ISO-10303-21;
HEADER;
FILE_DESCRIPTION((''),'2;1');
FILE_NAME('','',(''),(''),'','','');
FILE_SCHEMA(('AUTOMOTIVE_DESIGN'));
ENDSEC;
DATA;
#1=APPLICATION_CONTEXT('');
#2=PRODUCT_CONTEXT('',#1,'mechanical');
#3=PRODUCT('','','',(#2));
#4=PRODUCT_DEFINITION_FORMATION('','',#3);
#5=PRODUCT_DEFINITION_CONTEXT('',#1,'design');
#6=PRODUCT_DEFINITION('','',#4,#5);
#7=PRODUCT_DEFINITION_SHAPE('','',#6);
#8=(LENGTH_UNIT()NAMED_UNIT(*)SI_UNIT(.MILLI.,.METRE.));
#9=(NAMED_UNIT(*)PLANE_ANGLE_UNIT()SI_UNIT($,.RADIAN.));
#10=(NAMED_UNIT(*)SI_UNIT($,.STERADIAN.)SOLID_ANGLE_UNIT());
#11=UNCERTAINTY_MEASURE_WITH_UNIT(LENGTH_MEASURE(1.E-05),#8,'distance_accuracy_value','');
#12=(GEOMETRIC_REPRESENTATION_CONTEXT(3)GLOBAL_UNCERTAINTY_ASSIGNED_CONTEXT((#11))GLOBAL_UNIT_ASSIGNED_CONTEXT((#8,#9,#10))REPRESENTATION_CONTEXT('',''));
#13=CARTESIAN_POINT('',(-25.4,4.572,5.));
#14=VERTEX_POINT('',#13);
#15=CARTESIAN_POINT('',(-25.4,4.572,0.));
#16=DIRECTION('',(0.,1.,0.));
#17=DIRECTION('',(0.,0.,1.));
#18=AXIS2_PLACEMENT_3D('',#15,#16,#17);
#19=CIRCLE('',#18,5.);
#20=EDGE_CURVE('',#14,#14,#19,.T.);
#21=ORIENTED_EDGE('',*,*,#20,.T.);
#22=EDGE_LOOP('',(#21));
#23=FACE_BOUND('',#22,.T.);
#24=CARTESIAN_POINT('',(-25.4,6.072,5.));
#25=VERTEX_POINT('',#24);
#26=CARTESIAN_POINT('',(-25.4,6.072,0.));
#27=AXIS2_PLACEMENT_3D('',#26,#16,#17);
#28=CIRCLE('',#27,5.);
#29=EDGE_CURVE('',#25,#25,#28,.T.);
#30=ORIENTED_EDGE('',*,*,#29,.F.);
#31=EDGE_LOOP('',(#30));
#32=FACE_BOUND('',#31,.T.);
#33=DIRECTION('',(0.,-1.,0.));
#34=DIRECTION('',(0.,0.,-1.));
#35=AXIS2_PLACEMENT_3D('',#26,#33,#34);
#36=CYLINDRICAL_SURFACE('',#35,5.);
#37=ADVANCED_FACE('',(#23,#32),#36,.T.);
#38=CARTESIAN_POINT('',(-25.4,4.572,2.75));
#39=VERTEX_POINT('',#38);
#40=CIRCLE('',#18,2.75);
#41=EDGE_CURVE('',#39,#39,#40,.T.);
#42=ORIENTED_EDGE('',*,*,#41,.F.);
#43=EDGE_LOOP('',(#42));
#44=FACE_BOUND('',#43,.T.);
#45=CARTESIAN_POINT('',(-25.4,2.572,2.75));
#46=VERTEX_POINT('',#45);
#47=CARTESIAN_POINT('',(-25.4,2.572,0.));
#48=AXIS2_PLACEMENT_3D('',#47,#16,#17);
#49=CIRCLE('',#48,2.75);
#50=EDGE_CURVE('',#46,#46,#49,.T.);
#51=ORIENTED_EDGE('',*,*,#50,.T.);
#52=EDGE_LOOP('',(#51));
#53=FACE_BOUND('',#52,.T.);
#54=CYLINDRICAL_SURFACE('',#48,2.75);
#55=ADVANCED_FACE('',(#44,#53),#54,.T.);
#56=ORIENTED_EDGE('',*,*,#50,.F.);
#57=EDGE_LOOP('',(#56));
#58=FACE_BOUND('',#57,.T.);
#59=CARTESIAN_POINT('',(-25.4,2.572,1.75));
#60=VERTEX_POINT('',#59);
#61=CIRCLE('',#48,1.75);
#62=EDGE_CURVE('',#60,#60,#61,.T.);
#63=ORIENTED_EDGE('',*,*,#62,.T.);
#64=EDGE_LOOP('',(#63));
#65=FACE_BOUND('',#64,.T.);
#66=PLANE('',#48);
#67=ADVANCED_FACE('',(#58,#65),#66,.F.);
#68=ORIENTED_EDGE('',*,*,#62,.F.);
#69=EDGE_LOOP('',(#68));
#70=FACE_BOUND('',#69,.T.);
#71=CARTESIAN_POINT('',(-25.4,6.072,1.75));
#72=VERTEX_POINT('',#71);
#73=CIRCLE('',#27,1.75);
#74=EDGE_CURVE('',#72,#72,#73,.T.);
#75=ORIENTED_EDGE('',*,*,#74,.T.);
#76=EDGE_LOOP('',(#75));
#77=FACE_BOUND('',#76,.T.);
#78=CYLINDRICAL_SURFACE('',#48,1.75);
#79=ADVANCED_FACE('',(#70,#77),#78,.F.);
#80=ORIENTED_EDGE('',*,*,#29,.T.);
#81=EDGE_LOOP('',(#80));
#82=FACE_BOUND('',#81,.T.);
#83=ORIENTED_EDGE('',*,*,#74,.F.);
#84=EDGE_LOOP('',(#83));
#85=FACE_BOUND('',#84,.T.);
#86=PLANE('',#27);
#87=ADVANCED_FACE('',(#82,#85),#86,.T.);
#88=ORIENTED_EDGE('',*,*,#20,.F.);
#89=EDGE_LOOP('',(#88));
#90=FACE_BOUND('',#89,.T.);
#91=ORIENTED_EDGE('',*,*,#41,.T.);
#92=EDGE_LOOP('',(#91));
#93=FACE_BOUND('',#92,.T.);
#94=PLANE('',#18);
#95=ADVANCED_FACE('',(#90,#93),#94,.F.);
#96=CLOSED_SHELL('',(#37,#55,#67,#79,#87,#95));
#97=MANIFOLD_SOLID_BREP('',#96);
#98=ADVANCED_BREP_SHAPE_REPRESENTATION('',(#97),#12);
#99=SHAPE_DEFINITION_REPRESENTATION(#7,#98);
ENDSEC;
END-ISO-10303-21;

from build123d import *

# Parameters (mm, degrees)
SKETCH1_R           = 57.15
SKETCH1_R_2         = 1.397
SKETCH1_R_3         = 3.175
BOSS_EXTRUDE1_DEPTH = 4.572
SKETCH2_R           = 2.75
SKETCH2_R_2         = 1.75
BOSS_EXTRUDE2_DEPTH = 2
SKETCH3_R           = 5
SKETCH3_R_2         = 1.75
BOSS_EXTRUDE3_DEPTH = 1.5


with BuildPart() as part:
    # Sketch1 → Boss-Extrude1 (new body)
    with BuildSketch(Plane(origin=(0, 0, 0), x_dir=(1, 0, 0), z_dir=(0, 1, 0))):
        Circle(SKETCH1_R)
        with Locations((0, 6.35)):
            Circle(SKETCH1_R_2, mode=Mode.SUBTRACT)
        with Locations((0, 25.4)):
            Circle(SKETCH1_R_3, mode=Mode.SUBTRACT)
        with Locations((0, 50.8)):
            Circle(SKETCH1_R_3, mode=Mode.SUBTRACT)
        with Locations((25.4, 0)):
            Circle(SKETCH1_R_3, mode=Mode.SUBTRACT)
        with Locations((0, -25.4)):
            Circle(SKETCH1_R_3, mode=Mode.SUBTRACT)
        with Locations((-25.4, 0)):
            Circle(SKETCH1_R_3, mode=Mode.SUBTRACT)
        with Locations((6.35, 0)):
            Circle(SKETCH1_R_2, mode=Mode.SUBTRACT)
        with Locations((0, -6.35)):
            Circle(SKETCH1_R_2, mode=Mode.SUBTRACT)
        with Locations((-6.35, 0)):
            Circle(SKETCH1_R_2, mode=Mode.SUBTRACT)
        with Locations((35.921024484, 35.921024484)):
            Circle(SKETCH1_R_3, mode=Mode.SUBTRACT)
        with Locations((50.8, 0)):
            Circle(SKETCH1_R_3, mode=Mode.SUBTRACT)
        with Locations((35.921024484, -35.921024484)):
            Circle(SKETCH1_R_3, mode=Mode.SUBTRACT)
        with Locations((0, -50.8)):
            Circle(SKETCH1_R_3, mode=Mode.SUBTRACT)
        with Locations((-35.921024484, -35.921024484)):
            Circle(SKETCH1_R_3, mode=Mode.SUBTRACT)
        with Locations((-50.8, 0)):
            Circle(SKETCH1_R_3, mode=Mode.SUBTRACT)
        with Locations((-35.921024484, 35.921024484)):
            Circle(SKETCH1_R_3, mode=Mode.SUBTRACT)
    extrude(amount=BOSS_EXTRUDE1_DEPTH)


with BuildPart() as body_2:
    # Sketch2 → Boss-Extrude2 (new body)
    with BuildSketch(Plane(origin=(0, 4.572, 0), x_dir=(1, 0, 0), z_dir=(0, 1, 0))):
        with Locations((-25.4, 0)):
            Circle(SKETCH2_R)
        with Locations((-25.4, 0)):
            Circle(SKETCH2_R_2, mode=Mode.SUBTRACT)
    extrude(amount=-BOSS_EXTRUDE2_DEPTH)

    # Sketch3 → Boss-Extrude3 (add)
    with BuildSketch(Plane(origin=(0, 4.572, 0), x_dir=(1, 0, 0), z_dir=(0, 1, 0))):
        with Locations((-25.4, 0)):
            Circle(SKETCH3_R)
        with Locations((-25.4, 0)):
            Circle(SKETCH3_R_2, mode=Mode.SUBTRACT)
    extrude(amount=BOSS_EXTRUDE3_DEPTH)


solid = body_2.part
